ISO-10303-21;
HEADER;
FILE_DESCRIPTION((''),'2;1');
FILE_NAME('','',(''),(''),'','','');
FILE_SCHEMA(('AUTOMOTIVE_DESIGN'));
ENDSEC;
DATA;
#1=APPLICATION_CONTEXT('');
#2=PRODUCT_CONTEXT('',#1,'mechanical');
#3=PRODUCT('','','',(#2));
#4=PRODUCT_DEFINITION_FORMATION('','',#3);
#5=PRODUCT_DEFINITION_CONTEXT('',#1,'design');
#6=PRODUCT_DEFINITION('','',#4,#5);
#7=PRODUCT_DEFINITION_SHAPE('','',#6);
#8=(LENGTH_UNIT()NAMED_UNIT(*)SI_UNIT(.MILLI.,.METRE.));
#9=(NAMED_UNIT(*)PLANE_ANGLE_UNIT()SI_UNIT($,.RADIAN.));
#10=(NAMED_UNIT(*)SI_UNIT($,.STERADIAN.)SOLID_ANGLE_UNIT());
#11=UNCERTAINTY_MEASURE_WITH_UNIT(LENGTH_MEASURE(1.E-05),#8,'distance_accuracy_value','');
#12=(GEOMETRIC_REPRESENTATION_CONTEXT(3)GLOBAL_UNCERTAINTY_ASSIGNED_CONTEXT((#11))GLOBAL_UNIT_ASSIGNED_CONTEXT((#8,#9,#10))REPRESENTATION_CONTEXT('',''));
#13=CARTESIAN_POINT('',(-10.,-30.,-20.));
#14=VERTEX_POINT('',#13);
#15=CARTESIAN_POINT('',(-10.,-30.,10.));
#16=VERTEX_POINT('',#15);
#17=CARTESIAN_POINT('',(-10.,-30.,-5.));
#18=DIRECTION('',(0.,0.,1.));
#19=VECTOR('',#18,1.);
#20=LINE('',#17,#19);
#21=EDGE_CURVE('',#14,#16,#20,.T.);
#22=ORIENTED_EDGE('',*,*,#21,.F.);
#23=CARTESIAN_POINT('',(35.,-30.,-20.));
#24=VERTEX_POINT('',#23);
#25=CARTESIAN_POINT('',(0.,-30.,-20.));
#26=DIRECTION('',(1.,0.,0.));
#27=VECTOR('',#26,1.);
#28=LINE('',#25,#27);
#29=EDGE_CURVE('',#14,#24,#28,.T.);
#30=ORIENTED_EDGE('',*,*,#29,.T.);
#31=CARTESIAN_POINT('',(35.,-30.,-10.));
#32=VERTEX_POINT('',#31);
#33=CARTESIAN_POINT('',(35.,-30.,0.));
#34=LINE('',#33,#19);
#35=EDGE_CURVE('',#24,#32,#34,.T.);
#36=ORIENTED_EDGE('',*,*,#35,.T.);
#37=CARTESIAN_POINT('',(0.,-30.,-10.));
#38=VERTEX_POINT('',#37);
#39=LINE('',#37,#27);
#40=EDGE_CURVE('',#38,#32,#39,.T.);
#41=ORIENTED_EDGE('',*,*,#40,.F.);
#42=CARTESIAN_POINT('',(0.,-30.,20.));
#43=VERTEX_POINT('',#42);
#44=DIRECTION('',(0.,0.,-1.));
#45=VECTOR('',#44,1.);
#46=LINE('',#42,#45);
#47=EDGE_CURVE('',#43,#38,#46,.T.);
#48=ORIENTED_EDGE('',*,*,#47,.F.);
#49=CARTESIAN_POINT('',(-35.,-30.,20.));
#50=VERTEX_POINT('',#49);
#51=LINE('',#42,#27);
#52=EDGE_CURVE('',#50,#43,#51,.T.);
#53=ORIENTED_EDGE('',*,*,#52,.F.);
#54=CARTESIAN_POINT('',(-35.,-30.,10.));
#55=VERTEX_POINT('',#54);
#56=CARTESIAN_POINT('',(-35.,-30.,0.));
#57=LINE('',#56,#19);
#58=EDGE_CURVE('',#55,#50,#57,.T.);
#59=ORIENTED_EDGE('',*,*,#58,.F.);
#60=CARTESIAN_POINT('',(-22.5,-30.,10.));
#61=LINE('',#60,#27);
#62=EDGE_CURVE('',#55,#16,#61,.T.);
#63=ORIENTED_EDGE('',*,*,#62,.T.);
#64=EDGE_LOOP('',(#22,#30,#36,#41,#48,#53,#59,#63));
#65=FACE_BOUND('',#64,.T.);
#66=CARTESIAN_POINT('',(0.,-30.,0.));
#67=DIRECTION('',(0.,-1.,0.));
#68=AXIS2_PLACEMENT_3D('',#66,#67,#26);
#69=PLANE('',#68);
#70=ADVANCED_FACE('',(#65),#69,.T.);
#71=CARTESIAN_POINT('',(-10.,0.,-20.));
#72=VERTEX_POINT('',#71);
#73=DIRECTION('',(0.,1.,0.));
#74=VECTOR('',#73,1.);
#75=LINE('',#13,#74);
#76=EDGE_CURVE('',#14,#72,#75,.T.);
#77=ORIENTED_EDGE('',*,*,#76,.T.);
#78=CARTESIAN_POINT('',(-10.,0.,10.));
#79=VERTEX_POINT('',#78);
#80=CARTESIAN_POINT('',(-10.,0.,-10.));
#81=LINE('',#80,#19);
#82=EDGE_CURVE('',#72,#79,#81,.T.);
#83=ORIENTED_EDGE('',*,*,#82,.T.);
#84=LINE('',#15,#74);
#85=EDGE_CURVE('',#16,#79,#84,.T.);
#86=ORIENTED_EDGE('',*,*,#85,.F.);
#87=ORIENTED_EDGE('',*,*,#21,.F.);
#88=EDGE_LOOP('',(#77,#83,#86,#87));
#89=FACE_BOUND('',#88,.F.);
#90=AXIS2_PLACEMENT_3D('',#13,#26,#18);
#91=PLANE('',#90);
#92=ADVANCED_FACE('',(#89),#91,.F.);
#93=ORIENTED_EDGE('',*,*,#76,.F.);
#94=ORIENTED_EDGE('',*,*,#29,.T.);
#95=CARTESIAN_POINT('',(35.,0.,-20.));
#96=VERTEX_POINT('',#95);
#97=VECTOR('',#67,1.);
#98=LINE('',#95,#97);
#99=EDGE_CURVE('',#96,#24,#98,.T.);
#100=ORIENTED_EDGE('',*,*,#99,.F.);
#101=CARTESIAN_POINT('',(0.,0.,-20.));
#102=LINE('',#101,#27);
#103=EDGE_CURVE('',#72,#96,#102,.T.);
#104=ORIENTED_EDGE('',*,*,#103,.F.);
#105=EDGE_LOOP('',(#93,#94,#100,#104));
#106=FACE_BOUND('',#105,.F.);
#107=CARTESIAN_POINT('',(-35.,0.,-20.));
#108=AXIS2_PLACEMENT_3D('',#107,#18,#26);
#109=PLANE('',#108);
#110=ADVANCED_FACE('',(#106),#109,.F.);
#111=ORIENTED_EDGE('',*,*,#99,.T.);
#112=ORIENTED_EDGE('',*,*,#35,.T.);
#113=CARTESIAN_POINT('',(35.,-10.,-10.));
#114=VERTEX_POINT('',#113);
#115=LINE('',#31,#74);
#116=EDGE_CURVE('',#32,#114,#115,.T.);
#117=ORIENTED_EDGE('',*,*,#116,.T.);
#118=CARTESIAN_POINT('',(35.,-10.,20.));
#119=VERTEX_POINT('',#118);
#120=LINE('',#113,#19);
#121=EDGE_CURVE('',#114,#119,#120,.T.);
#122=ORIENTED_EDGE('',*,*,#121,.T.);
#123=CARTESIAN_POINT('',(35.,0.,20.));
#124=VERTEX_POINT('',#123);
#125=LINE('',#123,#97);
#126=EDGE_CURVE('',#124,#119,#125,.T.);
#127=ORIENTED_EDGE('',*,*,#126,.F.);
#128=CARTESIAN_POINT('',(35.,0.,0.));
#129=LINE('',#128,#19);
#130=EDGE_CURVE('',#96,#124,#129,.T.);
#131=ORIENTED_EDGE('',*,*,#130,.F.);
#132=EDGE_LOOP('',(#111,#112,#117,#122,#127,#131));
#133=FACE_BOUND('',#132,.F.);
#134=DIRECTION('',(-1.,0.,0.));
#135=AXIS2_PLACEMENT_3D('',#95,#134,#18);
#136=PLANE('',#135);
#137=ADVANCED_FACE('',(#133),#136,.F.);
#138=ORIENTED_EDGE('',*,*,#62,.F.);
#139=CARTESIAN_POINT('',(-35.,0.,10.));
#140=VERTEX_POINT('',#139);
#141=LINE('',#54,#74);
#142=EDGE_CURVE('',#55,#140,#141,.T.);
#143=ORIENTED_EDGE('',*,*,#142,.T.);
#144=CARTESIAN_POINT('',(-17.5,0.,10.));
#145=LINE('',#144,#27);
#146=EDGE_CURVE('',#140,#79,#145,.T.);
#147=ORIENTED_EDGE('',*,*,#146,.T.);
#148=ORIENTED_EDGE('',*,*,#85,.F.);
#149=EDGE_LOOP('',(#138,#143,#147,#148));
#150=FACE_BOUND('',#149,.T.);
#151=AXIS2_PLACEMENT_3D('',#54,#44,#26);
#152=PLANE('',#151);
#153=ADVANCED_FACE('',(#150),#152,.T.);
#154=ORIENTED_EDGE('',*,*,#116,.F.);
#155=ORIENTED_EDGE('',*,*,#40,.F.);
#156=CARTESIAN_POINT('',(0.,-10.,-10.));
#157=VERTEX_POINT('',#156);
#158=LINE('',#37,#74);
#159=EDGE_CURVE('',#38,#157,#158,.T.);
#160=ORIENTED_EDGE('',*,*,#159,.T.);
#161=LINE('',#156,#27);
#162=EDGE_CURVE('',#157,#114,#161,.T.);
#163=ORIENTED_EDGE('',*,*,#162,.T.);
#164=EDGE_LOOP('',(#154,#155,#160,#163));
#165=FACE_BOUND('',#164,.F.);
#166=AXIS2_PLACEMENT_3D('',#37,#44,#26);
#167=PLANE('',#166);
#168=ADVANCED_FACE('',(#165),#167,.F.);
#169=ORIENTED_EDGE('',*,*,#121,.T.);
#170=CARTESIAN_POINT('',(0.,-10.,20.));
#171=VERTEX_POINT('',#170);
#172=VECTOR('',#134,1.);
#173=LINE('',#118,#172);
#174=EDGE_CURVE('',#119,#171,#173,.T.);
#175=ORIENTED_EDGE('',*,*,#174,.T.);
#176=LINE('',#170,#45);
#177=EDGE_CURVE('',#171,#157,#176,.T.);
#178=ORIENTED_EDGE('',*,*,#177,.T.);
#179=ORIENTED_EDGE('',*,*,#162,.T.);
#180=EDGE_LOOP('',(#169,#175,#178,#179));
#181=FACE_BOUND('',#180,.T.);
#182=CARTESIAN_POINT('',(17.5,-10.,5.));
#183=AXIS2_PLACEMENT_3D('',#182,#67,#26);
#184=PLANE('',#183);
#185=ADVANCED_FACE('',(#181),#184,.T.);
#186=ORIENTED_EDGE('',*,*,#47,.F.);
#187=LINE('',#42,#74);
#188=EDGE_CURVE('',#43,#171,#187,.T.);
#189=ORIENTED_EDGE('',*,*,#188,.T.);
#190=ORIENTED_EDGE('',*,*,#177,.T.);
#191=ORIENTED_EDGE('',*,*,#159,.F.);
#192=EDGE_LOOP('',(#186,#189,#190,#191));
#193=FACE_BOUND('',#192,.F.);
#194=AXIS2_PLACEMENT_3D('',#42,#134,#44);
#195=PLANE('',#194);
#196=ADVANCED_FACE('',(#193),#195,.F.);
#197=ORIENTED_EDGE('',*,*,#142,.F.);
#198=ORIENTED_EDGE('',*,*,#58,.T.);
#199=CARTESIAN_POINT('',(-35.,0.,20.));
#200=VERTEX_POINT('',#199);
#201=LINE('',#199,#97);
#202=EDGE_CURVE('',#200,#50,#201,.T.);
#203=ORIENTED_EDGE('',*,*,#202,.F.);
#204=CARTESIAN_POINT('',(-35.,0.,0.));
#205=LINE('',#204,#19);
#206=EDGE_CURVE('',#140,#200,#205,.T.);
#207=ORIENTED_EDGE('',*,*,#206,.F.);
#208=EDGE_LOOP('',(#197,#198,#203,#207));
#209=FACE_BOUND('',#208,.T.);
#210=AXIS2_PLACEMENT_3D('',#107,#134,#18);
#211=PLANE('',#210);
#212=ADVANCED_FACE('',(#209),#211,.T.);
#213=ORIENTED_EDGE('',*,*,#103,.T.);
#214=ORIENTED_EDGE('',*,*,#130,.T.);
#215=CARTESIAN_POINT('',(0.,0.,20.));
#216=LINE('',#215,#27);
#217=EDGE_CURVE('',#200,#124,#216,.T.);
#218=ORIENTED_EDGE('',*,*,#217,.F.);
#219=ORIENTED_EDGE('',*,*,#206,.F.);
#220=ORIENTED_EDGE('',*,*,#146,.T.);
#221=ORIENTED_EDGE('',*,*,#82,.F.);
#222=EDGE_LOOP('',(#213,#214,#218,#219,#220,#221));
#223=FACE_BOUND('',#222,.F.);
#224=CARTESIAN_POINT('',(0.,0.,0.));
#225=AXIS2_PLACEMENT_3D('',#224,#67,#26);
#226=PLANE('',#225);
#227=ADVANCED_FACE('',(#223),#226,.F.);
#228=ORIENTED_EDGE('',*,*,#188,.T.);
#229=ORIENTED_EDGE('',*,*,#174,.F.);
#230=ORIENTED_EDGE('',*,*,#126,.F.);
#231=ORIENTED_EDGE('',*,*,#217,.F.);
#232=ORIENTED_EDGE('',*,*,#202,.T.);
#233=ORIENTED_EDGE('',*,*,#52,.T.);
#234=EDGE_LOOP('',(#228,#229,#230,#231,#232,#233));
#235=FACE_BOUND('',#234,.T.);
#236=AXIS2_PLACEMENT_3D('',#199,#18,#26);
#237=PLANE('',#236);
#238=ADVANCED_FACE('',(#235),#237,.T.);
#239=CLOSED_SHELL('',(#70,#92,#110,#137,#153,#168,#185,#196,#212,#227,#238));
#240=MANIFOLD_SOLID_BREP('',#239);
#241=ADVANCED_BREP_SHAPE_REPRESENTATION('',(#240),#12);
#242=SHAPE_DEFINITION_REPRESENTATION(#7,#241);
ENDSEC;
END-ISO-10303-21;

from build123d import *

# Parameters (mm, degrees)
F0_W     = 70
F0_H     = 40
F1_DEPTH = 30
F3_DEPTH = 20
F4_W     = 25
F4_H     = 30
F5_DEPTH = 30.001


with BuildPart() as f1:
    # F0 (on Front) → F1 (new body)
    with BuildSketch(Plane.XZ):
        Rectangle(F0_W, F0_H)
    extrude(amount=F1_DEPTH)

    # F2 (on face) → F3 (cut)
    with BuildSketch(Plane.XZ.offset(30)):
        Polygon((35, 0), (35, 20), (0, 20), (0, 4.09944), (0, 0), (0, -10), (35, -10), align=None)
    extrude(amount=-F3_DEPTH, mode=Mode.SUBTRACT)

    # F4 (on face) → F5 (cut, through all)
    with BuildSketch(Plane.XZ.offset(30)):
        with Locations((-22.5, -5)):
            Rectangle(F4_W, F4_H)
    extrude(amount=-F5_DEPTH, mode=Mode.SUBTRACT)


solid = f1.part
